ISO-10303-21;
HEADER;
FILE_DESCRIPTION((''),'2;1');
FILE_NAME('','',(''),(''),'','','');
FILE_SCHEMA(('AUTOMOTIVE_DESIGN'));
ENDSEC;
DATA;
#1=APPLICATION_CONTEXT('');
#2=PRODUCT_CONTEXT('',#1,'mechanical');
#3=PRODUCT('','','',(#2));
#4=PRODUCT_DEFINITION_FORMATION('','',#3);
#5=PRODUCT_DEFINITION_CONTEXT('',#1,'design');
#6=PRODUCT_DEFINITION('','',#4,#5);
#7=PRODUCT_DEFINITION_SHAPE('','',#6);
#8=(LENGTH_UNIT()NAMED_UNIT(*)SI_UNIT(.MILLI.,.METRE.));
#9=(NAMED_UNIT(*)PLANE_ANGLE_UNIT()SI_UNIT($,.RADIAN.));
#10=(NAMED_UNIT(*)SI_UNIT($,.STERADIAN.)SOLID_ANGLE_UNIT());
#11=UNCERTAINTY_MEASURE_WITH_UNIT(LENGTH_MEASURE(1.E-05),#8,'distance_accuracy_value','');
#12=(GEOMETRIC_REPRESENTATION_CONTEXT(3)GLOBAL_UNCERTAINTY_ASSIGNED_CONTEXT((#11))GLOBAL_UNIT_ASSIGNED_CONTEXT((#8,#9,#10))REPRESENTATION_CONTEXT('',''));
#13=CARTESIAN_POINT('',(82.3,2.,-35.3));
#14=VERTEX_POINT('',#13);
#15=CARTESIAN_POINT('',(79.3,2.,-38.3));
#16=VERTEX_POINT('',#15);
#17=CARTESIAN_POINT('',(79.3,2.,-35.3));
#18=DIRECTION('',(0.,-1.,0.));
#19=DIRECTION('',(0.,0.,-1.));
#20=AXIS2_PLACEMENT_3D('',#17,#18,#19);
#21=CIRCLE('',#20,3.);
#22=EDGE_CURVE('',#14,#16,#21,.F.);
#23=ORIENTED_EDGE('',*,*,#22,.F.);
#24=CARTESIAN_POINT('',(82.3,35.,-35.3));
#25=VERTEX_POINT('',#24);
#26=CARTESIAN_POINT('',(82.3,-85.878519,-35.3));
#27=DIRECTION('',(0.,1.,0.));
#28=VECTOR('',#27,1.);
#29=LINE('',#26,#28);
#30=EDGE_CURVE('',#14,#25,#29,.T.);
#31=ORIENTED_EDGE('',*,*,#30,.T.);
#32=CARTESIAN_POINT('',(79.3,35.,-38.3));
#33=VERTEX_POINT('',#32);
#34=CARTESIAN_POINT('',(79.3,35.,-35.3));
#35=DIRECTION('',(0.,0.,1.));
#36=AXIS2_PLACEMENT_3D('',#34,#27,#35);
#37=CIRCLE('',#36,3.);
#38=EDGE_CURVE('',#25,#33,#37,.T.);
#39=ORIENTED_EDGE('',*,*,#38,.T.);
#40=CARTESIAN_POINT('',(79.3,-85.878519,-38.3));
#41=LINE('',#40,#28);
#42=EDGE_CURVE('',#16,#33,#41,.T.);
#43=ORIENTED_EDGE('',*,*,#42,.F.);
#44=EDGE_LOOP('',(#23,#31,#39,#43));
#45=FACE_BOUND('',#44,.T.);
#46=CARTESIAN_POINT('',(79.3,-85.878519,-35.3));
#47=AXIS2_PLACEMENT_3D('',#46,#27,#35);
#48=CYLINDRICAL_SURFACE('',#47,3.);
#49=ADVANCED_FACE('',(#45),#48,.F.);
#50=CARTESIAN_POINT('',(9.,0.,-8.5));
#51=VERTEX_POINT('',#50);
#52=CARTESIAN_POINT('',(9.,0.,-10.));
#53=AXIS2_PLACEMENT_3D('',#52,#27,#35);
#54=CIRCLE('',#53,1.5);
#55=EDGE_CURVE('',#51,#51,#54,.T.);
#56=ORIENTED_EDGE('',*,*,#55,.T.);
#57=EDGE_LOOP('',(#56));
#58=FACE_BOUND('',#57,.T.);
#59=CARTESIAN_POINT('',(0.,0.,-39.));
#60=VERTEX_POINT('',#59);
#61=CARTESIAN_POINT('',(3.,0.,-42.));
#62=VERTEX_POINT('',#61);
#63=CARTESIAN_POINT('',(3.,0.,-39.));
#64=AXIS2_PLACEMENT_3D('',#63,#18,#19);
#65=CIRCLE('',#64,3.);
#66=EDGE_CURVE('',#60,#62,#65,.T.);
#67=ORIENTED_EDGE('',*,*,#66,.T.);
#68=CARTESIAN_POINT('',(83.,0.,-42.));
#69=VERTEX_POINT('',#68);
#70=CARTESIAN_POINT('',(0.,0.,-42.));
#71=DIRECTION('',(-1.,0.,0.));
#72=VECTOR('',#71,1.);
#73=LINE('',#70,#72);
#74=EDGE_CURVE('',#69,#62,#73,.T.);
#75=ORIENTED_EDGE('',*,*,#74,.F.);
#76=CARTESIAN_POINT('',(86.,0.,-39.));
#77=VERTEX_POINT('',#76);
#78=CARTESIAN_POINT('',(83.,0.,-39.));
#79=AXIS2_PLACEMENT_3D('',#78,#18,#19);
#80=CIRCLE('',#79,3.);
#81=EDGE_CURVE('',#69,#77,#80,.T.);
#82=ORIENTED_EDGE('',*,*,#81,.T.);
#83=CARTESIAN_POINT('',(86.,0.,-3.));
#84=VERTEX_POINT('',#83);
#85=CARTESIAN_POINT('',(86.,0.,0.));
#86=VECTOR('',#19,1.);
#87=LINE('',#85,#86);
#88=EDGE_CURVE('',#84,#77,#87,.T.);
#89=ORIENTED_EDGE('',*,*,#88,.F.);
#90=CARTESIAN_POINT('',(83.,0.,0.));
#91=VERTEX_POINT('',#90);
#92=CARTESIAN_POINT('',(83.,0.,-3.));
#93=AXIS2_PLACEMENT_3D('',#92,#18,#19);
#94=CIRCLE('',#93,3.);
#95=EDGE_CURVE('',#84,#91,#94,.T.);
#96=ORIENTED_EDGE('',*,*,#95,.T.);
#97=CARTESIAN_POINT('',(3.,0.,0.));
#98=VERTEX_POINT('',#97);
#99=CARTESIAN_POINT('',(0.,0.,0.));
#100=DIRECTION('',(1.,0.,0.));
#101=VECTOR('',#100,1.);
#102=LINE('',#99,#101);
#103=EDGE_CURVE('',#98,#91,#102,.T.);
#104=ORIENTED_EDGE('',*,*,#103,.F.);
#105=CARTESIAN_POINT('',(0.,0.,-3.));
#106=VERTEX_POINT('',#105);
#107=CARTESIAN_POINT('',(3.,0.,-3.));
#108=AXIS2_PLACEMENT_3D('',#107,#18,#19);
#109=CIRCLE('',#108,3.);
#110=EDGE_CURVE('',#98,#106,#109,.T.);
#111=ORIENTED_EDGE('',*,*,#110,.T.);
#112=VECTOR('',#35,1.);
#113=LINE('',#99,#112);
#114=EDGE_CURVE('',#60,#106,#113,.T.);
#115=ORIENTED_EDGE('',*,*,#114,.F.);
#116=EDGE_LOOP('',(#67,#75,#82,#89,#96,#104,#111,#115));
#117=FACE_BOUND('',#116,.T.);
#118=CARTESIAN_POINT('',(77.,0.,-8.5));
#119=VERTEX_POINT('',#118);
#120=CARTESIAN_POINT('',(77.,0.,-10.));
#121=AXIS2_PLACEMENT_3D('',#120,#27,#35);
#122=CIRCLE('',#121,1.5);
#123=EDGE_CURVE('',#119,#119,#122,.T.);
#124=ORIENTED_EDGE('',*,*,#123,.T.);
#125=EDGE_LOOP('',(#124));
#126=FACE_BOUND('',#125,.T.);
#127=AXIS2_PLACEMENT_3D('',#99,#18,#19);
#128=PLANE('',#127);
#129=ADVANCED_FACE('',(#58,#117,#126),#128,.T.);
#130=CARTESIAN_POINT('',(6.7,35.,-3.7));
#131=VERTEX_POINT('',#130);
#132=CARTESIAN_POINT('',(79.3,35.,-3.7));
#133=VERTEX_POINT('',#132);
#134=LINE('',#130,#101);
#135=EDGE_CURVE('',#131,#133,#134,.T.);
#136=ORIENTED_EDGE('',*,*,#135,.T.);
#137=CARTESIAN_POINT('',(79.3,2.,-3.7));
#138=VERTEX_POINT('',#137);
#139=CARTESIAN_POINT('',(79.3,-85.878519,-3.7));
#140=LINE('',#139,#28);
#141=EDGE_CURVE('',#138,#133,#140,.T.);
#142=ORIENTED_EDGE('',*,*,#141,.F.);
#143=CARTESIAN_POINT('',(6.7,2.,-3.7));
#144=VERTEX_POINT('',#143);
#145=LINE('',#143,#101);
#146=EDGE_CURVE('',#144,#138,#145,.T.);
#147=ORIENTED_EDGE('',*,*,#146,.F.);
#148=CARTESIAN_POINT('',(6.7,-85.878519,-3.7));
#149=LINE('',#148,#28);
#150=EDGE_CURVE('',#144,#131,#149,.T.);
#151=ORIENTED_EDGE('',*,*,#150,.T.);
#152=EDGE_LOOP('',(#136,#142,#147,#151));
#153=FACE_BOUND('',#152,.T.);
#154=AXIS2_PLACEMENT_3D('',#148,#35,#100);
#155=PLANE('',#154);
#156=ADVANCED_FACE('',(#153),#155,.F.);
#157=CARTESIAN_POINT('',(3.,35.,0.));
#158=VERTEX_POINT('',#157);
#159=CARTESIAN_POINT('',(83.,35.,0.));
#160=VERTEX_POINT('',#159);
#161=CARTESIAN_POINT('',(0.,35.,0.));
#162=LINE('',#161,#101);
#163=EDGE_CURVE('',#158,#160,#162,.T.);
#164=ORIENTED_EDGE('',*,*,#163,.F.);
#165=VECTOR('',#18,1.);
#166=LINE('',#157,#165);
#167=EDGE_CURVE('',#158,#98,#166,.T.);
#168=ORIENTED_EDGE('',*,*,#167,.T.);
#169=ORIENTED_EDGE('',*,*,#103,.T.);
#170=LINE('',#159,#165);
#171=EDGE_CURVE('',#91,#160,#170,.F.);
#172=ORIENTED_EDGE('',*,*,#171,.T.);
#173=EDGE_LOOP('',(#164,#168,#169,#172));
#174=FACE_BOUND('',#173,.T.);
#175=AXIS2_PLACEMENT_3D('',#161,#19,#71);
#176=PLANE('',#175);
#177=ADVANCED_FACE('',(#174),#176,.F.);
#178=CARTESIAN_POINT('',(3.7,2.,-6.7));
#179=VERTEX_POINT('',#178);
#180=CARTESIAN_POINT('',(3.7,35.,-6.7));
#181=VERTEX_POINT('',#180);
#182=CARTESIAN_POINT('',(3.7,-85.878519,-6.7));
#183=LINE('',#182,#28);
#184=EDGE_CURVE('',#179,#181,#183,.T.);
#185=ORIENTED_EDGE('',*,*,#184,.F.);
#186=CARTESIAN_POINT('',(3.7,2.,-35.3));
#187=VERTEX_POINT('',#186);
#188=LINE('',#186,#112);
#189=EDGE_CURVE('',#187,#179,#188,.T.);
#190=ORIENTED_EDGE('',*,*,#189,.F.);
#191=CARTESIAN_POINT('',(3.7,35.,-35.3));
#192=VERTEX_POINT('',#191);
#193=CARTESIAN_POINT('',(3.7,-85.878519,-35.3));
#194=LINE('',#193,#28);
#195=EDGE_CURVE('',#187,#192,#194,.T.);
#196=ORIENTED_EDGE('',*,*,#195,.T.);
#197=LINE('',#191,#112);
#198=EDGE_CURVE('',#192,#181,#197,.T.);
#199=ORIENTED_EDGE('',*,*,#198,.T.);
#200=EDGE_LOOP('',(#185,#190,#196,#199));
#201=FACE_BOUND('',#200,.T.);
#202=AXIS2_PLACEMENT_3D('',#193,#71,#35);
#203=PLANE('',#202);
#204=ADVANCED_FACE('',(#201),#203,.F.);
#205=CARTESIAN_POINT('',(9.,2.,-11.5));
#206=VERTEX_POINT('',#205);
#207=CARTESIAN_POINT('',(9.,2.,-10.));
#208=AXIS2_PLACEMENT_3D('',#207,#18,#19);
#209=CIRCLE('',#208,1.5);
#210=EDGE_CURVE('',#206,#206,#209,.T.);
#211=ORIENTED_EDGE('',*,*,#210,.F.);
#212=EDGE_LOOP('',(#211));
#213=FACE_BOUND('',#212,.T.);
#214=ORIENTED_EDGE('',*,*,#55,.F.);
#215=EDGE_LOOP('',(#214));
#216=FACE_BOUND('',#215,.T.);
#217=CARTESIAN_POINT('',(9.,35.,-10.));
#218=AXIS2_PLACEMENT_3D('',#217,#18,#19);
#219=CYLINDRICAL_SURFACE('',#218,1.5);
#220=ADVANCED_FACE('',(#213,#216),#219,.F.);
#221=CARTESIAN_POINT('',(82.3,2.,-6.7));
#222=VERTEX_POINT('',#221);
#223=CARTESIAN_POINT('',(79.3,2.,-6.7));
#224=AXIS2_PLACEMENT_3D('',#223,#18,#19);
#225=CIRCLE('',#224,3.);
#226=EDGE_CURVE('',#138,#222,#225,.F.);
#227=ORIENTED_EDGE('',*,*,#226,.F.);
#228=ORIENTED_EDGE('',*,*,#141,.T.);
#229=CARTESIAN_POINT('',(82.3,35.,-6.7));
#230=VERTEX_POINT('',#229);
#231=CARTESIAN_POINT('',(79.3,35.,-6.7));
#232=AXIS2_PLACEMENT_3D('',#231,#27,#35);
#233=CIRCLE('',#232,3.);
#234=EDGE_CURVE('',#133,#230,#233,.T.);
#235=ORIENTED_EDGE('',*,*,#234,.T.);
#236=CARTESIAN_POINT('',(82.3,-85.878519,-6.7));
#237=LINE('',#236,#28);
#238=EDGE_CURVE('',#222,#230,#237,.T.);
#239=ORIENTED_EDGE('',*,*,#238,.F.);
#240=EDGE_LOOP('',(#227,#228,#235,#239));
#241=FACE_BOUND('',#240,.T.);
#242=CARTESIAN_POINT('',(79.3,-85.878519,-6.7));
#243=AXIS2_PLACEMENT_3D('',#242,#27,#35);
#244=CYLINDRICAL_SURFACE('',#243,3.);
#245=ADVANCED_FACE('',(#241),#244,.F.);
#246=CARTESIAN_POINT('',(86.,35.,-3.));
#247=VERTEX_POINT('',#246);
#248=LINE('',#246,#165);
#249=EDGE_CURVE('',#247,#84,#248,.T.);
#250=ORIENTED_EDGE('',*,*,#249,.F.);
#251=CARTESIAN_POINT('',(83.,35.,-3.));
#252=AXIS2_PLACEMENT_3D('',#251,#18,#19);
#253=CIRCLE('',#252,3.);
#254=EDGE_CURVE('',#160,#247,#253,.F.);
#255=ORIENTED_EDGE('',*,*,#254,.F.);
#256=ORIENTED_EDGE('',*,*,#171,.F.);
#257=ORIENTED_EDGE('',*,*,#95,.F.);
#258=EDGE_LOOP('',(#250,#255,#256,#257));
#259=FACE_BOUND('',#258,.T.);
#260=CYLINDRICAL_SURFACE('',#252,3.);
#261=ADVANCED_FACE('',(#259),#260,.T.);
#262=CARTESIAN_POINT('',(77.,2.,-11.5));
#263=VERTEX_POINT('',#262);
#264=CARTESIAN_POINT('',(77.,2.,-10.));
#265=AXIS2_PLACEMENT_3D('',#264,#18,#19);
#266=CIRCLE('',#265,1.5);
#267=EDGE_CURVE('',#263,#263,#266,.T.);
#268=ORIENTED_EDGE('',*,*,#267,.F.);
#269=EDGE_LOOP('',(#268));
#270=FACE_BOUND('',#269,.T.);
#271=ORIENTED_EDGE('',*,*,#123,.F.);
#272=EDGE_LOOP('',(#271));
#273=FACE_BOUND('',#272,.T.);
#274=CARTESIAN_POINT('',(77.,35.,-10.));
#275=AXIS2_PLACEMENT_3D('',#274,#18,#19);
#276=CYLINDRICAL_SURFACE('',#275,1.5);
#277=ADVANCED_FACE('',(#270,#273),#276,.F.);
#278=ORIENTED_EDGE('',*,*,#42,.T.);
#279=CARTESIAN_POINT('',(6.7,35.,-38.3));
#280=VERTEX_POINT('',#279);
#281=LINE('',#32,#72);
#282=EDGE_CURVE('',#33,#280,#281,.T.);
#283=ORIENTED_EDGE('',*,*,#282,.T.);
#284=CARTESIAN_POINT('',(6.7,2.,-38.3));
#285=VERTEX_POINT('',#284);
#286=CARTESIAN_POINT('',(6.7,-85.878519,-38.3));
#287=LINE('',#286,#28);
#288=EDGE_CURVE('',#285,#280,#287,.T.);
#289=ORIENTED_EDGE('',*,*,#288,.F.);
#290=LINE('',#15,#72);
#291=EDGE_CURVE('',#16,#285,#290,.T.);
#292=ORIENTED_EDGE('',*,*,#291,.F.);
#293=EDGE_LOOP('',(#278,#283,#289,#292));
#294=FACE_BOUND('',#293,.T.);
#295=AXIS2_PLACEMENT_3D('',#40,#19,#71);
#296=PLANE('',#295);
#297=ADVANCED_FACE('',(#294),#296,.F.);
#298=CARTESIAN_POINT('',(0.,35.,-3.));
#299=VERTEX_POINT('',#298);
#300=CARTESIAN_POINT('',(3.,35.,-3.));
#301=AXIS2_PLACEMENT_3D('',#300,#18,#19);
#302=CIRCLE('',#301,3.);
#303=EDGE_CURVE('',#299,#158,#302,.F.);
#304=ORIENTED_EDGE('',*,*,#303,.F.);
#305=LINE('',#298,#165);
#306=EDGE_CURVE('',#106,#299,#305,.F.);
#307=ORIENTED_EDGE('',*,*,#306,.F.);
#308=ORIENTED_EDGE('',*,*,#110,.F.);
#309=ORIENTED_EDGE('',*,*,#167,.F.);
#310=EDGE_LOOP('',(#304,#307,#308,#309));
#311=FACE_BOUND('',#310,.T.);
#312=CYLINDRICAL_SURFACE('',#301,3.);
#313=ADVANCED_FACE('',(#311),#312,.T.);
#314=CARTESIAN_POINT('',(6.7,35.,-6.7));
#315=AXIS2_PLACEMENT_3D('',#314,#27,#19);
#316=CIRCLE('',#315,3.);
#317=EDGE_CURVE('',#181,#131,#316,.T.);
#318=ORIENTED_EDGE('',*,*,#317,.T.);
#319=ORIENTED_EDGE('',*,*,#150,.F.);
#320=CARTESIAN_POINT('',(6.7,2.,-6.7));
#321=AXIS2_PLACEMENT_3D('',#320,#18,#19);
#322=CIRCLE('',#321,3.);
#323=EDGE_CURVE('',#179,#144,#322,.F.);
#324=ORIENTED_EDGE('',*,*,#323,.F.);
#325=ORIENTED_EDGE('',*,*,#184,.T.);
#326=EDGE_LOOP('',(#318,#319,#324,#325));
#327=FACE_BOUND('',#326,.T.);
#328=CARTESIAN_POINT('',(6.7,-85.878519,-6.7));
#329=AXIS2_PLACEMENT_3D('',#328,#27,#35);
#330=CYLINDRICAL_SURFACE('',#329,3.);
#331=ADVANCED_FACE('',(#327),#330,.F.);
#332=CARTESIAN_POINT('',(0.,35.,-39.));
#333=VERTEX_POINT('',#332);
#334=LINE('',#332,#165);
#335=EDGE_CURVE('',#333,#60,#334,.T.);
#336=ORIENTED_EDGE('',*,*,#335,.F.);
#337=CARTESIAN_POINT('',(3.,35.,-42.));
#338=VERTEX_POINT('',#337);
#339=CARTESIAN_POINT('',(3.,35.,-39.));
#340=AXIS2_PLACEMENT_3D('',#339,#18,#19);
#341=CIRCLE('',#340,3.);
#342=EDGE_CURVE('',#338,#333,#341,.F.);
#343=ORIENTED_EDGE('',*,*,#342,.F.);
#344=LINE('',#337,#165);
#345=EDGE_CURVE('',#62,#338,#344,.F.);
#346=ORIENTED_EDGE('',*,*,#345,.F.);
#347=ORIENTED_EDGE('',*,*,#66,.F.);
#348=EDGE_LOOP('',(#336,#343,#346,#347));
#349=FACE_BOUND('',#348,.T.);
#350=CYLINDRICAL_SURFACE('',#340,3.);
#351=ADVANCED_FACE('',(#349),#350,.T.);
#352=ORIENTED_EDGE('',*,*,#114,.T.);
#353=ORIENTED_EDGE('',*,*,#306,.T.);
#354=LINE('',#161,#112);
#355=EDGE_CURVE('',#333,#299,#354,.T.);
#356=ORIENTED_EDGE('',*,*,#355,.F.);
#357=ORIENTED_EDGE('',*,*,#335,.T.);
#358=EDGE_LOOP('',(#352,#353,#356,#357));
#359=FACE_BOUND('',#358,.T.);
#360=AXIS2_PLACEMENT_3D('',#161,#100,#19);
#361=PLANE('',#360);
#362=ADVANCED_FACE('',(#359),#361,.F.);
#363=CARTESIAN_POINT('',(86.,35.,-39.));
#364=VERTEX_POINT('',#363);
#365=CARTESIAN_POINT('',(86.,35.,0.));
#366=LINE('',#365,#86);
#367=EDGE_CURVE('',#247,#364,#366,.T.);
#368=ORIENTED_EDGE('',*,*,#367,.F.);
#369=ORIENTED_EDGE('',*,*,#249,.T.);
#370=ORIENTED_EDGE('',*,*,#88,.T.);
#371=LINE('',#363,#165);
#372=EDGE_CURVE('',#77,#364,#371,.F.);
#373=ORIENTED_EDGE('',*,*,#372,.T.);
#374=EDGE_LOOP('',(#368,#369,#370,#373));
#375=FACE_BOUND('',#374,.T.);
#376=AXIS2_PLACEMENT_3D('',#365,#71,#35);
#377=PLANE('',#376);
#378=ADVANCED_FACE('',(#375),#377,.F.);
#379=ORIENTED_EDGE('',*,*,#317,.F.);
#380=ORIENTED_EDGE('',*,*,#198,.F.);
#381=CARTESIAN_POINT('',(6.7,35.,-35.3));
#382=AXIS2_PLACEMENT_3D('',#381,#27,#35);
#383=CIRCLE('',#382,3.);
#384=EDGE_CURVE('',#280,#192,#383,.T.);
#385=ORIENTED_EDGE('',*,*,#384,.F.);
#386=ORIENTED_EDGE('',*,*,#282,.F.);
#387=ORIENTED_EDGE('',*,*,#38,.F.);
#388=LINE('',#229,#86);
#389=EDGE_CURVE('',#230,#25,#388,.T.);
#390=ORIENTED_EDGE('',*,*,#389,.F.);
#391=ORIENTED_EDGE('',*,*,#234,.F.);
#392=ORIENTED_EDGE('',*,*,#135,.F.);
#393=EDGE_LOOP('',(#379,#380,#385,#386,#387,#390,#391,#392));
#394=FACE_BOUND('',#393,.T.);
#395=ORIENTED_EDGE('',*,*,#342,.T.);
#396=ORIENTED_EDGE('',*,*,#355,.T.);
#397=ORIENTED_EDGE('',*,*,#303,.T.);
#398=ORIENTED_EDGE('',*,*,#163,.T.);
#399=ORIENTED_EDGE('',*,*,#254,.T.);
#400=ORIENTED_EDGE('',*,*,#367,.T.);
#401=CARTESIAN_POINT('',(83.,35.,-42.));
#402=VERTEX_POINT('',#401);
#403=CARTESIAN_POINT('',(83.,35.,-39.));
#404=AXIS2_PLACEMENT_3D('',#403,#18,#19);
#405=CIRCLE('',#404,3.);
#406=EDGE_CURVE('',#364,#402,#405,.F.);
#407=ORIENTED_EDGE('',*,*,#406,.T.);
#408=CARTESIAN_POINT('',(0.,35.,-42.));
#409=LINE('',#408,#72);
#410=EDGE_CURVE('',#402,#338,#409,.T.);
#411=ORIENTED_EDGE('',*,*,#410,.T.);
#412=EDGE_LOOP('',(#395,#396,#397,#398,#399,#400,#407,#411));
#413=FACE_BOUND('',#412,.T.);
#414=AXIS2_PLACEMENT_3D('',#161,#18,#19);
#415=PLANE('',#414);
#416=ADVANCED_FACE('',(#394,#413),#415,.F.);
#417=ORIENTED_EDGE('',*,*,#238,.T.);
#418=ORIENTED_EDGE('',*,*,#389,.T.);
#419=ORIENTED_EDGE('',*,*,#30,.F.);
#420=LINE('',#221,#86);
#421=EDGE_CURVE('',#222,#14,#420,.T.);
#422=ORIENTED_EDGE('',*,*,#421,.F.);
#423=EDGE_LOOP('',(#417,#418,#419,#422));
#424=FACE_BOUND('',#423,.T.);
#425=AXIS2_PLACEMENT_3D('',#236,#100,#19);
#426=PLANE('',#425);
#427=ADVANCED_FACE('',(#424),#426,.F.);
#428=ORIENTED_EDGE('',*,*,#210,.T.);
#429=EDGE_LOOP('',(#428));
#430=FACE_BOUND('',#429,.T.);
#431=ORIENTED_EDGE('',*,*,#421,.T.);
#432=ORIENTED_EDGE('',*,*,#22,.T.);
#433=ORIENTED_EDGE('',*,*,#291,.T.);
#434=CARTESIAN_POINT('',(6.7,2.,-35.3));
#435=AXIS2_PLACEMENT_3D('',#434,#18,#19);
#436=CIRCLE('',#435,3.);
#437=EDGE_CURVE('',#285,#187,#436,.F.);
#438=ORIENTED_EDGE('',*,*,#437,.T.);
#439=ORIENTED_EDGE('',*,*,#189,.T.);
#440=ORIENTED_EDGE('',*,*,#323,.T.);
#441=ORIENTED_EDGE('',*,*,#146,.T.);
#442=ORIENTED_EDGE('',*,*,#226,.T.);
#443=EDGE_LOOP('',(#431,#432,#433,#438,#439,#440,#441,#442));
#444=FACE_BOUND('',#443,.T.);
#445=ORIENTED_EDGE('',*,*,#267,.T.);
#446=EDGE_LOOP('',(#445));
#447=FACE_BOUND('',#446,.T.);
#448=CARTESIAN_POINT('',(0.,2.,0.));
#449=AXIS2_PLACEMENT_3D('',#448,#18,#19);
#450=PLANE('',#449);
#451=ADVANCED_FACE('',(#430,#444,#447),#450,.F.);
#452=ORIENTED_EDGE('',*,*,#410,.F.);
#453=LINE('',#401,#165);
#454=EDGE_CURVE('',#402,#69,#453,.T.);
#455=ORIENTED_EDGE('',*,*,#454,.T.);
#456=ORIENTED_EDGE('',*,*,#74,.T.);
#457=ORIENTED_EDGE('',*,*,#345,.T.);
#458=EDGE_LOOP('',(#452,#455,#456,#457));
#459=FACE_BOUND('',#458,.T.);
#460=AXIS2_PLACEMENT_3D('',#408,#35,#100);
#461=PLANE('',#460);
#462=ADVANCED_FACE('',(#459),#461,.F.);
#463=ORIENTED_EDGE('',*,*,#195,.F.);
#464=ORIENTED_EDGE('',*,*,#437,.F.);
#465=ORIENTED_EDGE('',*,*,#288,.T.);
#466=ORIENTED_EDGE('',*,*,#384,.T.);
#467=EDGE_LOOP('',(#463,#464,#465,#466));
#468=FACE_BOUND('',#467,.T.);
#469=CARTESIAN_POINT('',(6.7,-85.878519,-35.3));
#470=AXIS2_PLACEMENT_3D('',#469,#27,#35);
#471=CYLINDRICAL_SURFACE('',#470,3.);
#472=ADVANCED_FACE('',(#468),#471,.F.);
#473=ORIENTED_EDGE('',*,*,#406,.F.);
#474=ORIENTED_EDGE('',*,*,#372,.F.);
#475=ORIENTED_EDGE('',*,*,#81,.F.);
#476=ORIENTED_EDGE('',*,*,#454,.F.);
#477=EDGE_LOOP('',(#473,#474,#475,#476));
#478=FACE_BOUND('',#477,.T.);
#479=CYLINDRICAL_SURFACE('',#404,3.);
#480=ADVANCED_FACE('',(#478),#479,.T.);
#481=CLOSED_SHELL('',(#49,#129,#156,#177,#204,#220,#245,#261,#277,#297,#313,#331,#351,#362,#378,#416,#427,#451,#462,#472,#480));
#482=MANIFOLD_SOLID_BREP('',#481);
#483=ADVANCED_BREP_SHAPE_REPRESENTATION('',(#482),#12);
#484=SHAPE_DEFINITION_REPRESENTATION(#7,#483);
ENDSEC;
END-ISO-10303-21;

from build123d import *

# Parameters (mm, degrees)
SKETCH1_W           = 86
SKETCH1_H           = 42
SKETCH1_R           = 1.5
BOSS_EXTRUDE1_DEPTH = 35
FILLET1_R           = 3
CUT_EXTRUDE1_DEPTH  = 33


with BuildPart() as part:
    # Sketch1 → Boss-Extrude1 (new body)
    with BuildSketch(Plane(origin=(0, 0, 0), x_dir=(1, 0, 0), z_dir=(0, 1, 0))):
        with Locations((43, 21)):
            Rectangle(SKETCH1_W, SKETCH1_H)
        with Locations((9, 10)):
            Circle(SKETCH1_R, mode=Mode.SUBTRACT)
        with Locations((77, 10)):
            Circle(SKETCH1_R, mode=Mode.SUBTRACT)
    extrude(amount=BOSS_EXTRUDE1_DEPTH)

    # Fillet1
    fillet1_edges = [part.edges().sort_by_distance(p)[0] for p in [
        (0, 17.5, -42),
        (86, 17.5, -42),
        (86, 17.5, 0),
        (0, 17.5, 0),
    ]]
    fillet(fillet1_edges, radius=FILLET1_R)

    # Sketch2 → Cut-Extrude1 (cut)
    with BuildSketch(Plane(origin=(0, 35, 0), x_dir=(1, 0, 0), z_dir=(0, 1, 0))):
        with BuildLine():
            Line((6.7, 3.7), (79.3, 3.7))
            ThreePointArc((79.3, 3.7), (81.421320344, 4.578679656), (82.3, 6.7))
            Line((82.3, 6.7), (82.3, 35.3))
            ThreePointArc((82.3, 35.3), (81.421320344, 37.421320344), (79.3, 38.3))
            Line((79.3, 38.3), (6.7, 38.3))
            ThreePointArc((6.7, 38.3), (4.578679656, 37.421320344), (3.7, 35.3))
            Line((3.7, 35.3), (3.7, 6.7))
            ThreePointArc((3.7, 6.7), (4.578679656, 4.578679656), (6.7, 3.7))
        make_face()
    extrude(amount=-CUT_EXTRUDE1_DEPTH, mode=Mode.SUBTRACT)


solid = part.part
